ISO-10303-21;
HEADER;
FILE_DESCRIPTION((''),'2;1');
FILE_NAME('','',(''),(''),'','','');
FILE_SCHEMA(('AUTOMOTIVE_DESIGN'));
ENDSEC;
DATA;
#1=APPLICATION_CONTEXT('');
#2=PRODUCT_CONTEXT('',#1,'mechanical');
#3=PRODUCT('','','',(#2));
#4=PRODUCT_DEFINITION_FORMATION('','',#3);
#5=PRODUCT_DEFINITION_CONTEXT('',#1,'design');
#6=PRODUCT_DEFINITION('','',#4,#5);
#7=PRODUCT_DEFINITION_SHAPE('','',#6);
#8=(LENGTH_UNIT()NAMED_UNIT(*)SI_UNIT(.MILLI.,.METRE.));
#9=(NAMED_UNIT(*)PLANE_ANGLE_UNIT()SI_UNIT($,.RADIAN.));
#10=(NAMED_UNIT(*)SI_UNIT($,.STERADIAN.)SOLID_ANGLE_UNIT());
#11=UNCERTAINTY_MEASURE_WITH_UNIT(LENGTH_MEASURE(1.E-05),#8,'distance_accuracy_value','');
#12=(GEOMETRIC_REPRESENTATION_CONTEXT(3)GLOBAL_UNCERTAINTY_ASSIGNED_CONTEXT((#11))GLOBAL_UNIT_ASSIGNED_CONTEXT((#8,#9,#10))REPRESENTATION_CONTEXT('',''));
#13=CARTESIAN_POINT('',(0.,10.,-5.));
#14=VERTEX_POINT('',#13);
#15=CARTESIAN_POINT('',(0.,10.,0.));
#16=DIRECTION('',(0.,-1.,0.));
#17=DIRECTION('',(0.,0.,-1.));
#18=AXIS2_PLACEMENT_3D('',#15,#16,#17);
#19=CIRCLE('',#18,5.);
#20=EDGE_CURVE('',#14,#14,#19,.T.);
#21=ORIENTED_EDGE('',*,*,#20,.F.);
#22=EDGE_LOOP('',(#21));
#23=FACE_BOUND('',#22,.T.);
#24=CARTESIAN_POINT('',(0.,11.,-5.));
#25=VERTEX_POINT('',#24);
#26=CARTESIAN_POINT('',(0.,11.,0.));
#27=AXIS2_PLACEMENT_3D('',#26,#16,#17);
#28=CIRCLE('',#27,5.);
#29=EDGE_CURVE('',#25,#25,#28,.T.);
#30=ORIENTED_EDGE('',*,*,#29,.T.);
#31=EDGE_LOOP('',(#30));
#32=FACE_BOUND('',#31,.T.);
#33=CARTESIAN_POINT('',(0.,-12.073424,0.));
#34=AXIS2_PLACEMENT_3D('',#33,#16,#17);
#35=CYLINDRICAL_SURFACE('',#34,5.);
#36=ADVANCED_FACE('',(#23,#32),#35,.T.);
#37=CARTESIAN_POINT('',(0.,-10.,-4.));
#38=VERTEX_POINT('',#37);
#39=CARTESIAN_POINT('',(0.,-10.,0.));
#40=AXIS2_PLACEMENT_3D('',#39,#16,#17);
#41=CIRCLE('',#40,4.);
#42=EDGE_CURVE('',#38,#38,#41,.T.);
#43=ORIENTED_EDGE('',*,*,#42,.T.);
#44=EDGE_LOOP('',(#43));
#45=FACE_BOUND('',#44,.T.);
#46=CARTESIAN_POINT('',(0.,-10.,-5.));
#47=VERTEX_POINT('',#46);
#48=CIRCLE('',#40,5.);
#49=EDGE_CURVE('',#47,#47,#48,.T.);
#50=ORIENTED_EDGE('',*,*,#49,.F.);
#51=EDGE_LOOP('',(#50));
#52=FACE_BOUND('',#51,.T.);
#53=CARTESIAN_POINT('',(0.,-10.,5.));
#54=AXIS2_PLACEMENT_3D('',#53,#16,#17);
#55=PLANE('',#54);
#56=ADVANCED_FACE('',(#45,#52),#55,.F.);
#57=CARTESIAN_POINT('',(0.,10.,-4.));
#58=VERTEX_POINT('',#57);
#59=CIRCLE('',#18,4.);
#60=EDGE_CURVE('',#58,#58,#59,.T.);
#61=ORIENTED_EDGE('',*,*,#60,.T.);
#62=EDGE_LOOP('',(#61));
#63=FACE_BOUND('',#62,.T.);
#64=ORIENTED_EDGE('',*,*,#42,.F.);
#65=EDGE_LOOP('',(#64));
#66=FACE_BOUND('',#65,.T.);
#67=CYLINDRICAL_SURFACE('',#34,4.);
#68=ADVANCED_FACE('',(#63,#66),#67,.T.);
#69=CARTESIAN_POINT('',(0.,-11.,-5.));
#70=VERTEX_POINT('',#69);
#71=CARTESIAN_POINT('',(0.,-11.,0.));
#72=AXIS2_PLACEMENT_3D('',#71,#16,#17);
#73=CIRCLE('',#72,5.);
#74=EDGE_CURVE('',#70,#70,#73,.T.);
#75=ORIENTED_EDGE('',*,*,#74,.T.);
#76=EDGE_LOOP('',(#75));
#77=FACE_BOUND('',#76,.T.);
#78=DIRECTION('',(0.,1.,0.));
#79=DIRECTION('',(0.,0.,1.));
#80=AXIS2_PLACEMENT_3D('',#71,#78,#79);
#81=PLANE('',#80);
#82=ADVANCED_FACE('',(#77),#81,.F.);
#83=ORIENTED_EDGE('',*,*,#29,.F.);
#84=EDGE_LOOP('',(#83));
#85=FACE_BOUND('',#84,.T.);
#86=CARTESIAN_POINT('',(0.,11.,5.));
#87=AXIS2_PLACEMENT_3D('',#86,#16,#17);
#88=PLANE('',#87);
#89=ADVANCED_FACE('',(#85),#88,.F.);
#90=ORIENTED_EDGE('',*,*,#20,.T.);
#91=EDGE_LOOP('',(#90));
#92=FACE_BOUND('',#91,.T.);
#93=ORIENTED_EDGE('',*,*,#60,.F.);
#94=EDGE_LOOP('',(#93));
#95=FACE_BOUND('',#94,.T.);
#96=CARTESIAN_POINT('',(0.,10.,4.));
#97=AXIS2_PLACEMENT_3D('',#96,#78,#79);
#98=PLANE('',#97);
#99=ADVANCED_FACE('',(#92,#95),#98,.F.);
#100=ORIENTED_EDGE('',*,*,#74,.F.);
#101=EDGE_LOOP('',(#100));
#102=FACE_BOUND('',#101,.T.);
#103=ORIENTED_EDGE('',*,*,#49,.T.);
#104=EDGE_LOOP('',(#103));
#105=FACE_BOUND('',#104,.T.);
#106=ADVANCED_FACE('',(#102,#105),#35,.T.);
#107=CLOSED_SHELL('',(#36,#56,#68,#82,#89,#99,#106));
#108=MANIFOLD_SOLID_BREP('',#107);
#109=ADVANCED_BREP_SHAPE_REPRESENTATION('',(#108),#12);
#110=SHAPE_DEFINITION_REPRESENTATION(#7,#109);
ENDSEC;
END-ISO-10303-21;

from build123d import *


with BuildPart() as part:
    # Sketch1 → Revolve1 (revolve)
    with BuildSketch(Plane.YZ, mode=Mode.PRIVATE) as revolve1_sk:
        Polygon((-10, 4), (10, 4), (10, 5), (11, 5), (11, 0), (-11, 0), (-11, 5), (-10, 5), align=None)
    revolve(revolve1_sk.sketch.rotate(Axis((0, -12.073424176, 0), (0, 1, 0)), 180), axis=Axis((0, -12.073424176, 0), (0, 1, 0)))


solid = part.part
